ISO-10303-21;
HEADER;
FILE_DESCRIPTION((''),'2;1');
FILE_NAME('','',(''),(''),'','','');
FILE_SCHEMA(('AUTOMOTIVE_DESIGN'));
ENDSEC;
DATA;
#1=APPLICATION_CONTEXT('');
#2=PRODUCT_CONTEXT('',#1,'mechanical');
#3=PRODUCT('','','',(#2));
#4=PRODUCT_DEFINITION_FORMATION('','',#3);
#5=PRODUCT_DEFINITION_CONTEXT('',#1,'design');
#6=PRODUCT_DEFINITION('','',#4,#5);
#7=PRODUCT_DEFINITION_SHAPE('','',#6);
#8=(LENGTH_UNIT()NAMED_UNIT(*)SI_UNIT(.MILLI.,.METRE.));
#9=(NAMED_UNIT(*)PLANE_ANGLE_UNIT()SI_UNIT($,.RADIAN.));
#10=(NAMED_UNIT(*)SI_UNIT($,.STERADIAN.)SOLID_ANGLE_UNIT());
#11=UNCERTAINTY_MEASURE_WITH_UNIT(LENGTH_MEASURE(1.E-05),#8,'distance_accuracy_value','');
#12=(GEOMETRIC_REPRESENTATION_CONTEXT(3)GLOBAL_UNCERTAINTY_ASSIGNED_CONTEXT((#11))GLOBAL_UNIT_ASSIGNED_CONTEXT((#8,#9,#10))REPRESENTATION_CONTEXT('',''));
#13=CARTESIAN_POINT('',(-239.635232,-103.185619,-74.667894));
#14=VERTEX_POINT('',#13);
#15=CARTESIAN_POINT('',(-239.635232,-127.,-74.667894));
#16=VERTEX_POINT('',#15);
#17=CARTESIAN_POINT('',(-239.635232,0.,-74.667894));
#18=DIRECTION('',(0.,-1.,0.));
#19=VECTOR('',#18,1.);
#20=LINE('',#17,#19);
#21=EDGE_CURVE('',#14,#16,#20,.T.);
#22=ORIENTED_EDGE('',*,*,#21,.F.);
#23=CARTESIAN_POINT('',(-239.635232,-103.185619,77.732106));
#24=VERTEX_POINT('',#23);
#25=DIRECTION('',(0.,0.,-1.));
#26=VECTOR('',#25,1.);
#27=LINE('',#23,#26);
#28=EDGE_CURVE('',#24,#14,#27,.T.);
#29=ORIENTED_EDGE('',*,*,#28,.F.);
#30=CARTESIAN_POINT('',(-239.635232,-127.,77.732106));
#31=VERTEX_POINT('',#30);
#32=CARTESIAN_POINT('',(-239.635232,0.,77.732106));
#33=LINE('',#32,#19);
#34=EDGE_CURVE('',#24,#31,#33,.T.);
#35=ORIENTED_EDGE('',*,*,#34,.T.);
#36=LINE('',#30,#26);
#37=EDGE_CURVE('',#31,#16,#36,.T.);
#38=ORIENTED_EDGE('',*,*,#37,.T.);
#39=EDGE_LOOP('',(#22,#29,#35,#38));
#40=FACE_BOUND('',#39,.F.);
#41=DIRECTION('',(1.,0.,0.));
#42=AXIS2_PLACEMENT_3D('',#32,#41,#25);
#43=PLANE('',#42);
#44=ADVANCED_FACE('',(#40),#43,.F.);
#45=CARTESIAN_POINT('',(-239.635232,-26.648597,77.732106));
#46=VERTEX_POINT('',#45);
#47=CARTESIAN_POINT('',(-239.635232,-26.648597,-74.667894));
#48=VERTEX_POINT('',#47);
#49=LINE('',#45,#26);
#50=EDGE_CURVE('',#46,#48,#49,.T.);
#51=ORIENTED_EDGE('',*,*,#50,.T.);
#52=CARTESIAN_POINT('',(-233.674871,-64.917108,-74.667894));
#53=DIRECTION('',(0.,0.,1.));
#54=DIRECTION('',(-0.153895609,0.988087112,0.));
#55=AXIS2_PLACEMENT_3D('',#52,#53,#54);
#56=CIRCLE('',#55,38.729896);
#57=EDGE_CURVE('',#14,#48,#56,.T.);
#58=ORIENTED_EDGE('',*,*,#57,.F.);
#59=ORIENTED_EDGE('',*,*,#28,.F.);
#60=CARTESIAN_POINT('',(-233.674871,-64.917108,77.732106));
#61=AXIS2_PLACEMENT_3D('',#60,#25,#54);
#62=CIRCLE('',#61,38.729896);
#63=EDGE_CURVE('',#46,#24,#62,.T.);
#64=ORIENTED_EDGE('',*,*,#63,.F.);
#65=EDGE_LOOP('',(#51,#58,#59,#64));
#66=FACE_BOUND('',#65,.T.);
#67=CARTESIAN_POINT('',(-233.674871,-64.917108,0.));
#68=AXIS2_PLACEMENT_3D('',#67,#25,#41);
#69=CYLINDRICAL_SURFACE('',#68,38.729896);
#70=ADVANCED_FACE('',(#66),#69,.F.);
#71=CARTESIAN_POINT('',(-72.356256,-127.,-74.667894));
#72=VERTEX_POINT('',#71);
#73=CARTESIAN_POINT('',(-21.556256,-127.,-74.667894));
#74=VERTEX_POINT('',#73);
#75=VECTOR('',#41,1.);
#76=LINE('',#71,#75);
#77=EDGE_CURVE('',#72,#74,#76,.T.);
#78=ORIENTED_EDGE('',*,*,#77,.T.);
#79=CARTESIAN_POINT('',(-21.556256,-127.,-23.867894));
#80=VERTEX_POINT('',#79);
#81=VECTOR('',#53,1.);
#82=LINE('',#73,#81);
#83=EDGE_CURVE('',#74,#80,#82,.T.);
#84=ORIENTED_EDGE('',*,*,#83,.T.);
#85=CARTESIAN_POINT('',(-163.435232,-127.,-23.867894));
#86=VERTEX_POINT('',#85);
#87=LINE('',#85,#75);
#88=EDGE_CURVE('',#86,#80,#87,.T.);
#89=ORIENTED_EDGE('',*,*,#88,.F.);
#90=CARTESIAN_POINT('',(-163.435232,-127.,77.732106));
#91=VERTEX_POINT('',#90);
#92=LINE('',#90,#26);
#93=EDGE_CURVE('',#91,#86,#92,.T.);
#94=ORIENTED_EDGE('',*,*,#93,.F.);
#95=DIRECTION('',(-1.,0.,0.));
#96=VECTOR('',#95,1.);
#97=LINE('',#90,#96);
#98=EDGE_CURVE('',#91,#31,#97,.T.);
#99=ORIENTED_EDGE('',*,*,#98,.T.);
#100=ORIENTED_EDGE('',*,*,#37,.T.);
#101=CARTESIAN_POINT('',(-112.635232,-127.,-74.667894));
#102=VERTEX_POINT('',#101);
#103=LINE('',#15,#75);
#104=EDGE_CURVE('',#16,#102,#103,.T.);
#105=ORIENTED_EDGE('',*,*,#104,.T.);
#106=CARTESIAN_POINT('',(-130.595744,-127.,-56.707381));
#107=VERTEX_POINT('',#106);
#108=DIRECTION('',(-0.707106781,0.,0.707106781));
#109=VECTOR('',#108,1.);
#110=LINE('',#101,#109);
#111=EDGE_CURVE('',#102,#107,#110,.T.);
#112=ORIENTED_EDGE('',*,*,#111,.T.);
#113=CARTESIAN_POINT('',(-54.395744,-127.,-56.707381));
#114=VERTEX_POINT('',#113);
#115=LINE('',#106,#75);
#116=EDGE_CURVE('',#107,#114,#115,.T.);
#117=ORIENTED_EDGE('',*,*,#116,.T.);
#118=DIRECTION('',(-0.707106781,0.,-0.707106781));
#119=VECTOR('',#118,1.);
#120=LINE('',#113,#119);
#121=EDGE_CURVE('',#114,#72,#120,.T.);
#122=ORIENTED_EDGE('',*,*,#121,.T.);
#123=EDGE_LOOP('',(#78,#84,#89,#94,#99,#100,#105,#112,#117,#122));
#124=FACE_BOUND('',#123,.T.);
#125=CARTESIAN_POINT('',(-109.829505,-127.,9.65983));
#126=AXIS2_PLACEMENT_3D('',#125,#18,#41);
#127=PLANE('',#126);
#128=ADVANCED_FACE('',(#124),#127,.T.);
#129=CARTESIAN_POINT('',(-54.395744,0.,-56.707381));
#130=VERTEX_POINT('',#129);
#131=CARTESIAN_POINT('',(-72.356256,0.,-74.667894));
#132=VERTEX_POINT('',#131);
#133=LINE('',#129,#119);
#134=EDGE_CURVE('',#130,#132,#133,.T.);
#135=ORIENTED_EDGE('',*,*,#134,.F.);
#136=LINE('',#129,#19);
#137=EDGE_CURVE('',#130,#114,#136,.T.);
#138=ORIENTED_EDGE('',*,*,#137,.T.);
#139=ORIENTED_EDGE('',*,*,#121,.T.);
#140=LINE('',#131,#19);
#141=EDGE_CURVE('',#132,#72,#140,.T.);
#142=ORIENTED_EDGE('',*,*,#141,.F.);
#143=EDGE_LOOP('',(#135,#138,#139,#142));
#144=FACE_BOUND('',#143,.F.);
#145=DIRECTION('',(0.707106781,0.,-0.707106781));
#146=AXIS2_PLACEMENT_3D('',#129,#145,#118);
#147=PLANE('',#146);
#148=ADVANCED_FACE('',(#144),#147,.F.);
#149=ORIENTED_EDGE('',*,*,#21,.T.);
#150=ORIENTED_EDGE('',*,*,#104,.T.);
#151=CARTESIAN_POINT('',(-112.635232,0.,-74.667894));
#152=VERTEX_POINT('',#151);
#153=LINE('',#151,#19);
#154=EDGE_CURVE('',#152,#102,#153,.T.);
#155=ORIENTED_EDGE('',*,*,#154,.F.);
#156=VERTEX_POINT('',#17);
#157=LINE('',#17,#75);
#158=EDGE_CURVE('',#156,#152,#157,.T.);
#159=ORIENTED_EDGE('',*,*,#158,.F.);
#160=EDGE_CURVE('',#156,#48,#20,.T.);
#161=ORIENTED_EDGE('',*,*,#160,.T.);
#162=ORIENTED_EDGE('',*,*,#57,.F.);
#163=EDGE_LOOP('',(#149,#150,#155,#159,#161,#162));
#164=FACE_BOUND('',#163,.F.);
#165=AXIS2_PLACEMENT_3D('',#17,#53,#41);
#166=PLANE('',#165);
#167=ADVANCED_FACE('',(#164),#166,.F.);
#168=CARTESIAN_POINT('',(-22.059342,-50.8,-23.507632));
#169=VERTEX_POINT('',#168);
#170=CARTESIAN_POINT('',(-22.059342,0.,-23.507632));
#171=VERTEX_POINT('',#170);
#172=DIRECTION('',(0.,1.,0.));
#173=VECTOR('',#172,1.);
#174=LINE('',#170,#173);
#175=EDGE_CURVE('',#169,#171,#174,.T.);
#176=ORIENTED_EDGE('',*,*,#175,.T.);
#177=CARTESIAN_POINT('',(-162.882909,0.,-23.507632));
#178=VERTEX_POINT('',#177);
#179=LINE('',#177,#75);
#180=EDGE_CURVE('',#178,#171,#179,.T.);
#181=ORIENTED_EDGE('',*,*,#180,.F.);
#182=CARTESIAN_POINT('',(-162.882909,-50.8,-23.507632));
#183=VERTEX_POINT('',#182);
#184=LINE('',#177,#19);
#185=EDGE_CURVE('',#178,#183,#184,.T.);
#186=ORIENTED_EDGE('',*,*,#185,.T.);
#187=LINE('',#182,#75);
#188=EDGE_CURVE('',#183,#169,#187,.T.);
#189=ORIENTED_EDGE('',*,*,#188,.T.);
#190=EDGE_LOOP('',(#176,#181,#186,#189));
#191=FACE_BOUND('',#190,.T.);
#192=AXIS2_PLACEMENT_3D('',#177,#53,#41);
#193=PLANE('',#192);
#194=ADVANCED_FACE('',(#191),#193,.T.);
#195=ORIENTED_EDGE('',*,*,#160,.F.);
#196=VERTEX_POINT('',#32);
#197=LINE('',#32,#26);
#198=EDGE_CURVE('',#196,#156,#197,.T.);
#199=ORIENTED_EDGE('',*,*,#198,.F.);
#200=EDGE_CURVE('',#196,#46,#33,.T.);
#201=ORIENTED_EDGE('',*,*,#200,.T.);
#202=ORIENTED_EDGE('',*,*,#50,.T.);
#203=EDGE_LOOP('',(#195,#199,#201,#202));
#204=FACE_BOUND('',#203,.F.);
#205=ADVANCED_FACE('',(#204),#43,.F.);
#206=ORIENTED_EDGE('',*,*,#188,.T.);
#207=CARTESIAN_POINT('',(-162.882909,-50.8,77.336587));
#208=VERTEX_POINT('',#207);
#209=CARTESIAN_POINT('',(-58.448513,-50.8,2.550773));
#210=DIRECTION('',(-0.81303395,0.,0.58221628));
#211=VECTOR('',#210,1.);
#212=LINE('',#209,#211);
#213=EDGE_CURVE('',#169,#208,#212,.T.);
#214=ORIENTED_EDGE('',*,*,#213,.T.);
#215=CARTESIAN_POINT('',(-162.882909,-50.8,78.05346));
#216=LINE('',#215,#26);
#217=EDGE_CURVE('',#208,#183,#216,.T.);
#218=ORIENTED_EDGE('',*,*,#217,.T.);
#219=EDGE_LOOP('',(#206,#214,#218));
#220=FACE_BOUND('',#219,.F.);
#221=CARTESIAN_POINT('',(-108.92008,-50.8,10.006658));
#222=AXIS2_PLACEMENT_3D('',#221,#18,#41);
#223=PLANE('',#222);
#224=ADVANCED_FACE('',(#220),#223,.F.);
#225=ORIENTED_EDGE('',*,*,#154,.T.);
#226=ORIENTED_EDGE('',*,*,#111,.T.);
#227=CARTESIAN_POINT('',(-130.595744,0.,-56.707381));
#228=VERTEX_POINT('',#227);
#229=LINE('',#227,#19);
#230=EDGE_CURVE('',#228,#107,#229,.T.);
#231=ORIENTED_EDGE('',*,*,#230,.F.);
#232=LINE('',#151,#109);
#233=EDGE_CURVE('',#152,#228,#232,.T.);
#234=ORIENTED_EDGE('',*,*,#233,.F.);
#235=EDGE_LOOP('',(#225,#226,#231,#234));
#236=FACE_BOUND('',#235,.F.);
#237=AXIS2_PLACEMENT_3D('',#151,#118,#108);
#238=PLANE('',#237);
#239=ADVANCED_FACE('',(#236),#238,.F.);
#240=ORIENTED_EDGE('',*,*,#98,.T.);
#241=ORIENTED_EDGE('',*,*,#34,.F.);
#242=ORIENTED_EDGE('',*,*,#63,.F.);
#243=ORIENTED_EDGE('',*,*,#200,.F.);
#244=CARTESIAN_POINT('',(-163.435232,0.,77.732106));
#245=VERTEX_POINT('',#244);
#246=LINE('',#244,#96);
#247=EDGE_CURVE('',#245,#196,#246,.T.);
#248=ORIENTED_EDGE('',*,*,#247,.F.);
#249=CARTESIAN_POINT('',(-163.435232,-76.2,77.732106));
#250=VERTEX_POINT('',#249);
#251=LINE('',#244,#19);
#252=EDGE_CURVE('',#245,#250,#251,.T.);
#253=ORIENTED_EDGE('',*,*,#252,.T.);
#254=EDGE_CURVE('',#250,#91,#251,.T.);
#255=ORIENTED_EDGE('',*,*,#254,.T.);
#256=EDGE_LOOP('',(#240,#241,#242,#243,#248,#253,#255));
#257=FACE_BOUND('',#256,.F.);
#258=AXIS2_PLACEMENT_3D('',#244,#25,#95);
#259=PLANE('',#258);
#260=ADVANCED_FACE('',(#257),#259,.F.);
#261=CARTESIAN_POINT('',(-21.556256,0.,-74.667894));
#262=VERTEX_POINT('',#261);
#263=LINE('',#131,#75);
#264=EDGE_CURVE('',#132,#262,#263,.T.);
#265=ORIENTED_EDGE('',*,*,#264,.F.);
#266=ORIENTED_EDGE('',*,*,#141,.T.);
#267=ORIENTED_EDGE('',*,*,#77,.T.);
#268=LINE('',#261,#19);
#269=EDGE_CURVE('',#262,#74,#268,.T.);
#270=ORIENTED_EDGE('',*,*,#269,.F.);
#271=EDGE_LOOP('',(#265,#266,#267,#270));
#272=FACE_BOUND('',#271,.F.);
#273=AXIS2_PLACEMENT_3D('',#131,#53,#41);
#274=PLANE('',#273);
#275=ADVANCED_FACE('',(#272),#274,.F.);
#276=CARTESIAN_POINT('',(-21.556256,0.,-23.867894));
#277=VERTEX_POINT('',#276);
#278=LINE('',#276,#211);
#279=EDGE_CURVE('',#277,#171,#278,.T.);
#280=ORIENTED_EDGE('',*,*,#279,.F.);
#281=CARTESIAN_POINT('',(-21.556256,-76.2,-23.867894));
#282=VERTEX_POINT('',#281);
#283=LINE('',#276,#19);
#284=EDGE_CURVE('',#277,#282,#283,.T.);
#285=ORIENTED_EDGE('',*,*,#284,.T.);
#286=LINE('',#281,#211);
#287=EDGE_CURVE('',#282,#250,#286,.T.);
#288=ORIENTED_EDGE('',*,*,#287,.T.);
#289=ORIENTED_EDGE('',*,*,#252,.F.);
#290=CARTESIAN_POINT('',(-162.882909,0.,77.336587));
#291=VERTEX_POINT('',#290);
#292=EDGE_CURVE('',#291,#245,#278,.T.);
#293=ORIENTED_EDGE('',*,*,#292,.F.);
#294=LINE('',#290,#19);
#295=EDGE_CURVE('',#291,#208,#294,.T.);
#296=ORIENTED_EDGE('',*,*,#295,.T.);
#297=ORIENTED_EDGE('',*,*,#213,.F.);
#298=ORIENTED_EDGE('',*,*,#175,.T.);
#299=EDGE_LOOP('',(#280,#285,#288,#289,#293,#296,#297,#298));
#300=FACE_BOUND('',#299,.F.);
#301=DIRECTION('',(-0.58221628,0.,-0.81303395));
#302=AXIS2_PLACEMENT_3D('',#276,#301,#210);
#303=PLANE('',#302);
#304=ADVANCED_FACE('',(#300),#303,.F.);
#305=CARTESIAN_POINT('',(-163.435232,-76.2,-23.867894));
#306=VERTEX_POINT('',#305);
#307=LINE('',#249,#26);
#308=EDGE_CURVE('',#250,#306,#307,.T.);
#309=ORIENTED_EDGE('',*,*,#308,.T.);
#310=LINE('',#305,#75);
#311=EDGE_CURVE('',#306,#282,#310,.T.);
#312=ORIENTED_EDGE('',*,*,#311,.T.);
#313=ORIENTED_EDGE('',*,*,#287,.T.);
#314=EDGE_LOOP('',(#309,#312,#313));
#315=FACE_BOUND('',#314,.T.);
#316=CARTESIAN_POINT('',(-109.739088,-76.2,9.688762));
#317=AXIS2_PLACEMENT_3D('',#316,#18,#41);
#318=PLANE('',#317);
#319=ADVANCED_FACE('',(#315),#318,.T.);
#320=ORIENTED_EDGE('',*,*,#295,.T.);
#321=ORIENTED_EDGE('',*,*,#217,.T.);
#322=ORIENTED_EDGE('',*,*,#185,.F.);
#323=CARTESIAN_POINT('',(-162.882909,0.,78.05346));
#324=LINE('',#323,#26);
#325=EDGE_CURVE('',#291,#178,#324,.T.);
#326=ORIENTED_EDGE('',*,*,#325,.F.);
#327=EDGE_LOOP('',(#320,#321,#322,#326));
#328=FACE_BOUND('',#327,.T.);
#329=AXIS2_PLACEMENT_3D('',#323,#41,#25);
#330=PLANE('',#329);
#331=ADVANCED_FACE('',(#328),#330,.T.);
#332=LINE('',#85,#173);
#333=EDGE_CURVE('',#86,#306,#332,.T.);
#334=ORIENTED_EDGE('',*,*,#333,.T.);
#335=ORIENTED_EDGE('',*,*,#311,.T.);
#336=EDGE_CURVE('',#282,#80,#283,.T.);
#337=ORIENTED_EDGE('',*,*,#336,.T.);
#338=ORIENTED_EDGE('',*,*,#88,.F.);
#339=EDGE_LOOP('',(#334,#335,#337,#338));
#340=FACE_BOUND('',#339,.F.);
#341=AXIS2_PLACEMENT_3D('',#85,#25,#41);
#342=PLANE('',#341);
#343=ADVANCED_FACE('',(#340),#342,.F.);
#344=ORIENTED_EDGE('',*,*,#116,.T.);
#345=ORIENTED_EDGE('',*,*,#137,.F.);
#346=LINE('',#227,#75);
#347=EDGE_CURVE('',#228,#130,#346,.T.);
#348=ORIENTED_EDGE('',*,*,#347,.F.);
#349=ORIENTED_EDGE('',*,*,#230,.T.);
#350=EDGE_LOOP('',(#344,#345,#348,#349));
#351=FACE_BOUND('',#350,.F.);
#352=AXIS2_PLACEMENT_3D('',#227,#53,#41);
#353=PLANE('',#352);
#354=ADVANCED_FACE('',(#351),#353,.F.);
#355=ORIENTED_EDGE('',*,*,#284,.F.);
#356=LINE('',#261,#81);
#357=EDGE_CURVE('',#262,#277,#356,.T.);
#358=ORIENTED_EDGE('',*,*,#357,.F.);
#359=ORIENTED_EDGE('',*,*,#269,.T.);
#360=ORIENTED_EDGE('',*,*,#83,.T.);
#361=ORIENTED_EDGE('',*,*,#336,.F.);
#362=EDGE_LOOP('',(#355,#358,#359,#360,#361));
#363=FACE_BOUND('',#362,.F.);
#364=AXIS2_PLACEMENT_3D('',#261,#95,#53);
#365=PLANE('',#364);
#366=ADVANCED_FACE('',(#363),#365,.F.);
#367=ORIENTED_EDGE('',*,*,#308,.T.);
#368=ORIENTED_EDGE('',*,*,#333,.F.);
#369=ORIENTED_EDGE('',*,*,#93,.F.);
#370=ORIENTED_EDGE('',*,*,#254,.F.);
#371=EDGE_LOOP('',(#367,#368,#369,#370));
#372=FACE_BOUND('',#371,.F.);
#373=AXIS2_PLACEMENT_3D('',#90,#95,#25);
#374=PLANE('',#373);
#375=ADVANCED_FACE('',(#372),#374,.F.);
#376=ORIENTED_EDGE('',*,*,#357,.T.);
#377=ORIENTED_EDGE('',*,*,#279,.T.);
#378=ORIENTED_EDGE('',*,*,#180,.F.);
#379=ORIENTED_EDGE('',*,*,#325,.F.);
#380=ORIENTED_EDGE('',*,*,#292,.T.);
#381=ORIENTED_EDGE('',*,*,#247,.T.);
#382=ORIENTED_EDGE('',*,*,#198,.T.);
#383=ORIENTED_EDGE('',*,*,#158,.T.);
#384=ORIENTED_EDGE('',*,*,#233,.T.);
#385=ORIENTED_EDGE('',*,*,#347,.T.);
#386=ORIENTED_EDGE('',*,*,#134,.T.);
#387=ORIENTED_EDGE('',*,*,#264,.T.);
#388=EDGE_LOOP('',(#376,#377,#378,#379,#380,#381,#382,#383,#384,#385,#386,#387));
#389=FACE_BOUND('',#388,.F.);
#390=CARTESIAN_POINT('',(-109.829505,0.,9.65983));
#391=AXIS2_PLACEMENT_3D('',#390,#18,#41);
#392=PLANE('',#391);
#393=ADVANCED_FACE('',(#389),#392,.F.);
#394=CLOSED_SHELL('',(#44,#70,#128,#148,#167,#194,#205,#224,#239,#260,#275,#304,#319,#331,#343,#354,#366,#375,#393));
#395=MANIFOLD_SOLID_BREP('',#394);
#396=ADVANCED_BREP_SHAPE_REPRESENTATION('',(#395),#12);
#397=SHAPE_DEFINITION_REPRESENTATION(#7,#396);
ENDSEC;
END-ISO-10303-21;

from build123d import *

# Parameters (mm, degrees)
F1_DEPTH = 127
F2_R     = 38.7298959395
F3_DEPTH = 127
F4_DEPTH = 127
F5_DEPTH = 127
F7_DEPTH = 50.8
F9_DEPTH = 50.8


with BuildPart() as f1:
    # F0 (on Front) → F1 (new body)
    with BuildSketch(Plane.XZ):
        Polygon((-163.7962559972, -23.8678936321), (-163.4352315129, 77.7321063679), (-239.6352315129, 77.7321063679), (-239.6352315129, -74.6678936321), (-112.6352315129, -74.6678936321), (-130.5957437551, -56.70738139), (-54.3957437551, -56.70738139), (-72.3562559972, -74.6678936321), (-21.5562559972, -74.6678936321), (-21.5562559972, -23.8678936321), align=None)
    extrude(amount=F1_DEPTH)

    # F2 (on Top) → F3 (cut)
    with BuildSketch(Plane.XY):
        with Locations((-233.6748705878, -64.917108044)):
            Circle(F2_R)
    extrude(amount=F3_DEPTH, mode=Mode.SUBTRACT)

    # F4 (cut): a face of the model
    f4_faces = [f1.faces().sort_by_distance(p)[0] for p in [
        (-220.4073030245, -64.917108044, 0),
    ]]
    extrude(f4_faces, amount=-F4_DEPTH, mode=Mode.SUBTRACT)

    # F0 (on Front) → F5 (join)
    with BuildSketch(Plane.XZ):
        Polygon((-21.5562559972, -23.8678936321), (-163.4352315129, 77.7321063679), (-163.7962559972, -23.8678936321), align=None)
    extrude(amount=F5_DEPTH)

    # F6 (on face) → F7 (cut)
    with BuildSketch(Plane.XZ.offset(127)):
        Polygon((-21.5562559972, -23.8678936321), (-163.4352315129, 77.7321063679), (-163.4352315129, -23.8678936321), align=None)
    extrude(amount=-F7_DEPTH, mode=Mode.SUBTRACT)

    # F8 (on face) → F9 (cut)
    with BuildSketch(Plane.XZ):
        Polygon((-162.8829091787, -23.5076323152), (-20.4247385263, -23.5076323152), (-162.8829091787, 78.0534595251), align=None)
    extrude(amount=F9_DEPTH, mode=Mode.SUBTRACT)


solid = f1.part
